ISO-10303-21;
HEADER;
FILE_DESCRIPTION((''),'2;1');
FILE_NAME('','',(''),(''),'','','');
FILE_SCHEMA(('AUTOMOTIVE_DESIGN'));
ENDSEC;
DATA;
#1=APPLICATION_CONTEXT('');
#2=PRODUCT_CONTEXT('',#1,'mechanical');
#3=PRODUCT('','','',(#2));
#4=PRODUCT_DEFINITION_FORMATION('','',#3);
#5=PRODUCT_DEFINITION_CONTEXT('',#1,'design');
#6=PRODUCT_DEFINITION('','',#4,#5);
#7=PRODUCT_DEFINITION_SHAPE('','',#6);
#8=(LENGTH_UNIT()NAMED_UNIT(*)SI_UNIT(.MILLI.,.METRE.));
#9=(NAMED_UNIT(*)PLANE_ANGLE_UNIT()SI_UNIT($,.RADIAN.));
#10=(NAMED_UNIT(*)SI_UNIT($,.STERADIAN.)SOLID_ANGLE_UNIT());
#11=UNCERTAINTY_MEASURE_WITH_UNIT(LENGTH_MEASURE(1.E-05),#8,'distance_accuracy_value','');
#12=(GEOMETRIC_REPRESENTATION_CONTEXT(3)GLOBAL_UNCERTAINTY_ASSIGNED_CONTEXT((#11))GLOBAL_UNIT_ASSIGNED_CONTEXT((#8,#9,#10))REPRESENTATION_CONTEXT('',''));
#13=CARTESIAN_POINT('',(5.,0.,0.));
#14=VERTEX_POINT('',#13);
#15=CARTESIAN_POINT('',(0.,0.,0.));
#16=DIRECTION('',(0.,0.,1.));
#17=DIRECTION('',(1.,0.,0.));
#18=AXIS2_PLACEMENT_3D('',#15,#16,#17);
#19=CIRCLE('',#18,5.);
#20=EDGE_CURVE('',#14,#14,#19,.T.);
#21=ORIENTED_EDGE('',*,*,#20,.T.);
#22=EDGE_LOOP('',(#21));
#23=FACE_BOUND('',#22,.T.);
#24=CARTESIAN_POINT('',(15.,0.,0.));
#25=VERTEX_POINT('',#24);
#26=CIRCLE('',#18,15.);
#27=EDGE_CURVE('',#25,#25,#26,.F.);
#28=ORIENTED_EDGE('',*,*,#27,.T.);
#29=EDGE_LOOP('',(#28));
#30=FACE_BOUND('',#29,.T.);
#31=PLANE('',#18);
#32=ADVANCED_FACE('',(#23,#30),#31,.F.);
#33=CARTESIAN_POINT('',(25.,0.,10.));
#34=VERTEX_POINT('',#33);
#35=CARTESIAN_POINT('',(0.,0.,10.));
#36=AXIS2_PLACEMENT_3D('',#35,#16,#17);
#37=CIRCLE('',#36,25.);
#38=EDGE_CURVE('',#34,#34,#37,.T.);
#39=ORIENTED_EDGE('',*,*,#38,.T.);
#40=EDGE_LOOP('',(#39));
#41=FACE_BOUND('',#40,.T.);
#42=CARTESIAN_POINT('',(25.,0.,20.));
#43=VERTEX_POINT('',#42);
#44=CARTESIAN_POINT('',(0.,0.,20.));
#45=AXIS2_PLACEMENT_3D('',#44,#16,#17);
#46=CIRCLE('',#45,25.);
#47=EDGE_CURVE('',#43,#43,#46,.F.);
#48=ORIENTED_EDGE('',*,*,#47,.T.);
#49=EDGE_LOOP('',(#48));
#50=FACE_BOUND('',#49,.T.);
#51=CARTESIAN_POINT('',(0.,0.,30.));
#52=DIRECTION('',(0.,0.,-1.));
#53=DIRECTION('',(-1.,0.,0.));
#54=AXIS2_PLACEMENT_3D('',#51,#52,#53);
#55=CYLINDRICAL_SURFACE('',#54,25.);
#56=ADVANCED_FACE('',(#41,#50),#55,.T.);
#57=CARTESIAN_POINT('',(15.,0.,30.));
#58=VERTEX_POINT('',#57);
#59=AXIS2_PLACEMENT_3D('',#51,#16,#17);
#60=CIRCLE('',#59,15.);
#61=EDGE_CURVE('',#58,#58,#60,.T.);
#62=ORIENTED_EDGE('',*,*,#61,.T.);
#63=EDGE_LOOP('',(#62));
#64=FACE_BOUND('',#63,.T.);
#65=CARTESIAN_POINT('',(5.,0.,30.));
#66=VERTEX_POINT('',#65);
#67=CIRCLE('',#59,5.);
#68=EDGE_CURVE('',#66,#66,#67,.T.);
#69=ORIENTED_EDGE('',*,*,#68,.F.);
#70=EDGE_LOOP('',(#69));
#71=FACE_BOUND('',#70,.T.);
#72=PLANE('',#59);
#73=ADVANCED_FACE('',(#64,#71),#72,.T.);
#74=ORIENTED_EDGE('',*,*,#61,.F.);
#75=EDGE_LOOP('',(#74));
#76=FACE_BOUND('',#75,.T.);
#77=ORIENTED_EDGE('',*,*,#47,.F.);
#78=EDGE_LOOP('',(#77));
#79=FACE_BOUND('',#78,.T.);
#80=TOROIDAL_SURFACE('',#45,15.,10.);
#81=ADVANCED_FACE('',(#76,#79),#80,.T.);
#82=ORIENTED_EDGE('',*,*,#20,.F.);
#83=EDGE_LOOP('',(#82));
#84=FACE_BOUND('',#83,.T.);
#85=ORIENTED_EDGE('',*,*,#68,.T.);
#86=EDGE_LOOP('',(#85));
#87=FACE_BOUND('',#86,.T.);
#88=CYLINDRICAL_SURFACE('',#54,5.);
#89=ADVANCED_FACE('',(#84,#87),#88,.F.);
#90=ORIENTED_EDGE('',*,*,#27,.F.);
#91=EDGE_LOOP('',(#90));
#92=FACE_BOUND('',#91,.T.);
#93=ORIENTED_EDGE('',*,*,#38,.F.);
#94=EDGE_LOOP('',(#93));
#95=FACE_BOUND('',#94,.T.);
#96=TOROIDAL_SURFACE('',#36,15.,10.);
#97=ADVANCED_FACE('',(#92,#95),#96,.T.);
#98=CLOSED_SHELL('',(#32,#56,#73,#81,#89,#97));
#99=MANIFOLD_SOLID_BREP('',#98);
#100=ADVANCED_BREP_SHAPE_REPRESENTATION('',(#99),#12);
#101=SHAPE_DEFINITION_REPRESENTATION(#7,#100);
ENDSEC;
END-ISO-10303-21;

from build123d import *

# Parameters (mm, degrees)
SKETCH1_R           = 25
SKETCH1_R_2         = 5
BOSS_EXTRUDE1_DEPTH = 30
FILLET1_R           = 10


with BuildPart() as part:
    # Sketch1 → Boss-Extrude1 (new body)
    with BuildSketch(Plane.XY):
        Circle(SKETCH1_R)
        Circle(SKETCH1_R_2, mode=Mode.SUBTRACT)
    extrude(amount=BOSS_EXTRUDE1_DEPTH)

    # Fillet1
    fillet1_edges = [part.edges().sort_by_distance(p)[0] for p in [
        (-25, 0, 0),
        (-25, 0, 30),
    ]]
    fillet(fillet1_edges, radius=FILLET1_R)


solid = part.part
